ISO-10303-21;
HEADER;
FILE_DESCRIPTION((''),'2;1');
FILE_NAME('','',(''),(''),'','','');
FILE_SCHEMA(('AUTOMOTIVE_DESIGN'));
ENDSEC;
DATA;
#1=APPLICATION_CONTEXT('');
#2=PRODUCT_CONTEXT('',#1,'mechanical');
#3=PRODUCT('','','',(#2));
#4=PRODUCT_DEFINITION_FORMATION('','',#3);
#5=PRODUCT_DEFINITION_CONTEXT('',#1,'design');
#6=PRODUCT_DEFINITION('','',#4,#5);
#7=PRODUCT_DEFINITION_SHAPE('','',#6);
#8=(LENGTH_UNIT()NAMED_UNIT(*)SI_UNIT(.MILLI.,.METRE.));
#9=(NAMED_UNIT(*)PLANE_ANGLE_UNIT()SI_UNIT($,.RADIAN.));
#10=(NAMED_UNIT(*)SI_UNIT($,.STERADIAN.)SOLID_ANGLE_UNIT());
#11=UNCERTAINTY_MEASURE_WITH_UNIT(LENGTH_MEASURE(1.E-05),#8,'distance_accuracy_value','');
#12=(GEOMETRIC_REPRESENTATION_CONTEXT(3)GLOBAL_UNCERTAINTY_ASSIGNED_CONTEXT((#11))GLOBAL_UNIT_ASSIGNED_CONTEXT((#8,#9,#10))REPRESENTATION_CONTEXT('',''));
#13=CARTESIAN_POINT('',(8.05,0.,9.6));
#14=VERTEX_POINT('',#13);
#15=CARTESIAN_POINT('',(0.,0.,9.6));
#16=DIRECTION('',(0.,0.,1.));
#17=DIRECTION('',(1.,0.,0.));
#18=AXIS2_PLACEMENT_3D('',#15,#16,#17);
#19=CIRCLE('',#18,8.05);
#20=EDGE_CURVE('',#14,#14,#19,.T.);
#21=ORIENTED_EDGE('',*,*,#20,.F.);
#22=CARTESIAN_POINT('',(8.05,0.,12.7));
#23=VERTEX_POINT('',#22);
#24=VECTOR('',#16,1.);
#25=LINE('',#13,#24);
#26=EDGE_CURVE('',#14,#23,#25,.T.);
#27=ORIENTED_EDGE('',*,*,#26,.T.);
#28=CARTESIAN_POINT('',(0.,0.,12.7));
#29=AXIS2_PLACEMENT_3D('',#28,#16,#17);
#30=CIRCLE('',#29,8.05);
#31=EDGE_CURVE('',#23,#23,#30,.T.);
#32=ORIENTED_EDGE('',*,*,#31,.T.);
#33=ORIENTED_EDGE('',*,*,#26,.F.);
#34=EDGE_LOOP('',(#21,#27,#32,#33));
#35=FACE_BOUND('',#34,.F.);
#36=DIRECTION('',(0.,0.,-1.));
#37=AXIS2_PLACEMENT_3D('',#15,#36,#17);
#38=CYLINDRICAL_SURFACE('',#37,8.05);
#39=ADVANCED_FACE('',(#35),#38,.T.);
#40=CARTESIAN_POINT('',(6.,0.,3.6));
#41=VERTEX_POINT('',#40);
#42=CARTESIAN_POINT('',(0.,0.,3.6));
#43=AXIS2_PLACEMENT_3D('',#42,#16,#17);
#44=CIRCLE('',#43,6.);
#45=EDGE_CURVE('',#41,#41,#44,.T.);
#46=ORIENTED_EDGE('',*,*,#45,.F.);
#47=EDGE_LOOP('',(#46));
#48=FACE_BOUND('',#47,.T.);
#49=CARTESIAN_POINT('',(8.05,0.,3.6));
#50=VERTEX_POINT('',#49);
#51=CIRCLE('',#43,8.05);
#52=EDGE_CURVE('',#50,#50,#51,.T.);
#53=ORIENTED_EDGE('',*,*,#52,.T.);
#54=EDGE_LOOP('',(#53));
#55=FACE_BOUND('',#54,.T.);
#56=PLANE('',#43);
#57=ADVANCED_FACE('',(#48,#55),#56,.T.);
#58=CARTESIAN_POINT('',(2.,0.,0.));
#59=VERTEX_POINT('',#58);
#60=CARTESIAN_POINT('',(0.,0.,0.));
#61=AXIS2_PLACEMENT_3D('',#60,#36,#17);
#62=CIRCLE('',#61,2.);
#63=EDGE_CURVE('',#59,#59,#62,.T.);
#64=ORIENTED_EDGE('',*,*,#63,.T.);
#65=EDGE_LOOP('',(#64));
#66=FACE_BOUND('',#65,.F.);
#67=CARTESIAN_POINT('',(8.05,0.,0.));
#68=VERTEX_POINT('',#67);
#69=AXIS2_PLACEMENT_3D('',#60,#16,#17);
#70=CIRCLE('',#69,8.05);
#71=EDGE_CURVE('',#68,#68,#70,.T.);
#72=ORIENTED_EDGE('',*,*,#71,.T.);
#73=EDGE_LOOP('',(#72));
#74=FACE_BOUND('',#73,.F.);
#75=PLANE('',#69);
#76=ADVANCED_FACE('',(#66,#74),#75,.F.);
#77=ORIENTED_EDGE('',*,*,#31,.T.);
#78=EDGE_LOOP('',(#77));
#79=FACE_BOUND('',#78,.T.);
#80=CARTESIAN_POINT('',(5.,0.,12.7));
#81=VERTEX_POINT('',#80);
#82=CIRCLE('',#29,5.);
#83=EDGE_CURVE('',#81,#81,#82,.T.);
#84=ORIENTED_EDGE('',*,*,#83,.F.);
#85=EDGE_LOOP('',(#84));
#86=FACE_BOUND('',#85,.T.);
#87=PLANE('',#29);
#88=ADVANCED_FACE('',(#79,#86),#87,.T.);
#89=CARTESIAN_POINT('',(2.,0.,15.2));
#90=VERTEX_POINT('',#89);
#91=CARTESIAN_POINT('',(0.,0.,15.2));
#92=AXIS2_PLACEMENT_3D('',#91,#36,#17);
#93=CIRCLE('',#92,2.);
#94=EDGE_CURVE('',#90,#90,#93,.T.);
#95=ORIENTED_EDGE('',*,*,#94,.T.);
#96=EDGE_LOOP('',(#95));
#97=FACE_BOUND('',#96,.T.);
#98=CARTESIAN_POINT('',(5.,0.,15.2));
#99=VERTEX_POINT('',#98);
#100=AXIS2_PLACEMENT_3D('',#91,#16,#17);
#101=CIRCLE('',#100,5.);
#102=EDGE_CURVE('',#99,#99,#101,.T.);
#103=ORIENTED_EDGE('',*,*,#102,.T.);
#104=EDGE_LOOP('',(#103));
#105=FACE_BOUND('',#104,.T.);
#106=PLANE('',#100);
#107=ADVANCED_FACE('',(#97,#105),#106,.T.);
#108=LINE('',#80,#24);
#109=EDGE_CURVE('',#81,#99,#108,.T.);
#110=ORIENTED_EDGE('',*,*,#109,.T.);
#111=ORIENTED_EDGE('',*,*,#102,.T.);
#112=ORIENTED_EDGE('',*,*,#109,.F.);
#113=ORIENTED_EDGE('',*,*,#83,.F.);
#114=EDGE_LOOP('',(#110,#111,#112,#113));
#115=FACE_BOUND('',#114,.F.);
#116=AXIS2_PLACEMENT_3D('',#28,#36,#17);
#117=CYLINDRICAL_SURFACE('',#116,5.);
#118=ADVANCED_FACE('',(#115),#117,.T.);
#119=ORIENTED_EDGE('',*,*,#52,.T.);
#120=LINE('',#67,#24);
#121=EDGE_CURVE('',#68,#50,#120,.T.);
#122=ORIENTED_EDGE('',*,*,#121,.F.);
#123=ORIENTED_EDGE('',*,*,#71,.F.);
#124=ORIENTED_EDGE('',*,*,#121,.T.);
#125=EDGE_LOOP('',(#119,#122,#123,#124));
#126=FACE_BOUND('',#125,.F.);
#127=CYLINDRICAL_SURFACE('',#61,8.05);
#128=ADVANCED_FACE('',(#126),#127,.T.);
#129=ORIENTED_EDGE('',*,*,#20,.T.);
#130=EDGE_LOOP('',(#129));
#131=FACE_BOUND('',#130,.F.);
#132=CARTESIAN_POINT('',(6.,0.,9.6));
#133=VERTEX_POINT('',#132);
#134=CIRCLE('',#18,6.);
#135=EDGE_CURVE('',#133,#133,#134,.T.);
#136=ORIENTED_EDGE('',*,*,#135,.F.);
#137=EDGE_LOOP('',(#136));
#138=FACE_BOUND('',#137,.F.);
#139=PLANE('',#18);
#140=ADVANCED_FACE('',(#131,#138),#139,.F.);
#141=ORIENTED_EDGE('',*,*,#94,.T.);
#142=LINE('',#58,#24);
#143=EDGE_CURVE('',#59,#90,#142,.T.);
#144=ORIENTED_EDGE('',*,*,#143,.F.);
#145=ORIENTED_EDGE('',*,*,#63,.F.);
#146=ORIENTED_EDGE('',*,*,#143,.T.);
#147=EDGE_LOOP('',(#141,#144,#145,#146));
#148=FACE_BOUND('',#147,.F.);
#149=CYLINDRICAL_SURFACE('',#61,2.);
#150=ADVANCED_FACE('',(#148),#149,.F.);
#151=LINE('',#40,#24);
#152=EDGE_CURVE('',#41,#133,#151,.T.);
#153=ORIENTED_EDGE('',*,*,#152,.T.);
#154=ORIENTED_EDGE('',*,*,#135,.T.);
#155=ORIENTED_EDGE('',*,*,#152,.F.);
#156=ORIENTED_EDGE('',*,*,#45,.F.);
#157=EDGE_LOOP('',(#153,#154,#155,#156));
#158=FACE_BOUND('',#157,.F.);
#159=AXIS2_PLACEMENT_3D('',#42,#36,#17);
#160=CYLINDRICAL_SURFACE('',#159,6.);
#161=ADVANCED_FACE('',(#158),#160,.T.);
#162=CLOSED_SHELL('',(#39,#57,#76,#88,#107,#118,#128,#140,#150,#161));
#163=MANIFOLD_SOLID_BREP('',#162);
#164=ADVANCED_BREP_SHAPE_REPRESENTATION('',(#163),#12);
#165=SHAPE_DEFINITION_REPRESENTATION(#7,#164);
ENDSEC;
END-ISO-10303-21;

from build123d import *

# Parameters (mm, degrees)
F0_R     = 8.05
F1_DEPTH = 3.6
F2_R     = 6
F3_DEPTH = 6
F4_R     = 8.05
F5_DEPTH = 3.1
F6_R     = 5
F7_DEPTH = 2.5
F8_R     = 2
F9_DEPTH = 15.201


with BuildPart() as f1:
    # F0 (on Top) → F1 (new body)
    with BuildSketch(Plane.XY):
        Circle(F0_R)
    extrude(amount=F1_DEPTH)

    # F2 (on face) → F3 (join)
    with BuildSketch(Plane.XY.offset(3.6)):
        Circle(F2_R)
    extrude(amount=F3_DEPTH)

    # F4 (on face) → F5 (join)
    with BuildSketch(Plane.XY.offset(9.6)):
        Circle(F4_R)
    extrude(amount=F5_DEPTH)

    # F6 (on face) → F7 (join)
    with BuildSketch(Plane.XY.offset(12.7)):
        Circle(F6_R)
    extrude(amount=F7_DEPTH)

    # F8 (on face) → F9 (cut, through all)
    with BuildSketch(Plane(origin=(0, 0, 0), x_dir=(1, 0, 0), z_dir=(0, 0, -1))):
        Circle(F8_R)
    extrude(amount=-F9_DEPTH, mode=Mode.SUBTRACT)


solid = f1.part
